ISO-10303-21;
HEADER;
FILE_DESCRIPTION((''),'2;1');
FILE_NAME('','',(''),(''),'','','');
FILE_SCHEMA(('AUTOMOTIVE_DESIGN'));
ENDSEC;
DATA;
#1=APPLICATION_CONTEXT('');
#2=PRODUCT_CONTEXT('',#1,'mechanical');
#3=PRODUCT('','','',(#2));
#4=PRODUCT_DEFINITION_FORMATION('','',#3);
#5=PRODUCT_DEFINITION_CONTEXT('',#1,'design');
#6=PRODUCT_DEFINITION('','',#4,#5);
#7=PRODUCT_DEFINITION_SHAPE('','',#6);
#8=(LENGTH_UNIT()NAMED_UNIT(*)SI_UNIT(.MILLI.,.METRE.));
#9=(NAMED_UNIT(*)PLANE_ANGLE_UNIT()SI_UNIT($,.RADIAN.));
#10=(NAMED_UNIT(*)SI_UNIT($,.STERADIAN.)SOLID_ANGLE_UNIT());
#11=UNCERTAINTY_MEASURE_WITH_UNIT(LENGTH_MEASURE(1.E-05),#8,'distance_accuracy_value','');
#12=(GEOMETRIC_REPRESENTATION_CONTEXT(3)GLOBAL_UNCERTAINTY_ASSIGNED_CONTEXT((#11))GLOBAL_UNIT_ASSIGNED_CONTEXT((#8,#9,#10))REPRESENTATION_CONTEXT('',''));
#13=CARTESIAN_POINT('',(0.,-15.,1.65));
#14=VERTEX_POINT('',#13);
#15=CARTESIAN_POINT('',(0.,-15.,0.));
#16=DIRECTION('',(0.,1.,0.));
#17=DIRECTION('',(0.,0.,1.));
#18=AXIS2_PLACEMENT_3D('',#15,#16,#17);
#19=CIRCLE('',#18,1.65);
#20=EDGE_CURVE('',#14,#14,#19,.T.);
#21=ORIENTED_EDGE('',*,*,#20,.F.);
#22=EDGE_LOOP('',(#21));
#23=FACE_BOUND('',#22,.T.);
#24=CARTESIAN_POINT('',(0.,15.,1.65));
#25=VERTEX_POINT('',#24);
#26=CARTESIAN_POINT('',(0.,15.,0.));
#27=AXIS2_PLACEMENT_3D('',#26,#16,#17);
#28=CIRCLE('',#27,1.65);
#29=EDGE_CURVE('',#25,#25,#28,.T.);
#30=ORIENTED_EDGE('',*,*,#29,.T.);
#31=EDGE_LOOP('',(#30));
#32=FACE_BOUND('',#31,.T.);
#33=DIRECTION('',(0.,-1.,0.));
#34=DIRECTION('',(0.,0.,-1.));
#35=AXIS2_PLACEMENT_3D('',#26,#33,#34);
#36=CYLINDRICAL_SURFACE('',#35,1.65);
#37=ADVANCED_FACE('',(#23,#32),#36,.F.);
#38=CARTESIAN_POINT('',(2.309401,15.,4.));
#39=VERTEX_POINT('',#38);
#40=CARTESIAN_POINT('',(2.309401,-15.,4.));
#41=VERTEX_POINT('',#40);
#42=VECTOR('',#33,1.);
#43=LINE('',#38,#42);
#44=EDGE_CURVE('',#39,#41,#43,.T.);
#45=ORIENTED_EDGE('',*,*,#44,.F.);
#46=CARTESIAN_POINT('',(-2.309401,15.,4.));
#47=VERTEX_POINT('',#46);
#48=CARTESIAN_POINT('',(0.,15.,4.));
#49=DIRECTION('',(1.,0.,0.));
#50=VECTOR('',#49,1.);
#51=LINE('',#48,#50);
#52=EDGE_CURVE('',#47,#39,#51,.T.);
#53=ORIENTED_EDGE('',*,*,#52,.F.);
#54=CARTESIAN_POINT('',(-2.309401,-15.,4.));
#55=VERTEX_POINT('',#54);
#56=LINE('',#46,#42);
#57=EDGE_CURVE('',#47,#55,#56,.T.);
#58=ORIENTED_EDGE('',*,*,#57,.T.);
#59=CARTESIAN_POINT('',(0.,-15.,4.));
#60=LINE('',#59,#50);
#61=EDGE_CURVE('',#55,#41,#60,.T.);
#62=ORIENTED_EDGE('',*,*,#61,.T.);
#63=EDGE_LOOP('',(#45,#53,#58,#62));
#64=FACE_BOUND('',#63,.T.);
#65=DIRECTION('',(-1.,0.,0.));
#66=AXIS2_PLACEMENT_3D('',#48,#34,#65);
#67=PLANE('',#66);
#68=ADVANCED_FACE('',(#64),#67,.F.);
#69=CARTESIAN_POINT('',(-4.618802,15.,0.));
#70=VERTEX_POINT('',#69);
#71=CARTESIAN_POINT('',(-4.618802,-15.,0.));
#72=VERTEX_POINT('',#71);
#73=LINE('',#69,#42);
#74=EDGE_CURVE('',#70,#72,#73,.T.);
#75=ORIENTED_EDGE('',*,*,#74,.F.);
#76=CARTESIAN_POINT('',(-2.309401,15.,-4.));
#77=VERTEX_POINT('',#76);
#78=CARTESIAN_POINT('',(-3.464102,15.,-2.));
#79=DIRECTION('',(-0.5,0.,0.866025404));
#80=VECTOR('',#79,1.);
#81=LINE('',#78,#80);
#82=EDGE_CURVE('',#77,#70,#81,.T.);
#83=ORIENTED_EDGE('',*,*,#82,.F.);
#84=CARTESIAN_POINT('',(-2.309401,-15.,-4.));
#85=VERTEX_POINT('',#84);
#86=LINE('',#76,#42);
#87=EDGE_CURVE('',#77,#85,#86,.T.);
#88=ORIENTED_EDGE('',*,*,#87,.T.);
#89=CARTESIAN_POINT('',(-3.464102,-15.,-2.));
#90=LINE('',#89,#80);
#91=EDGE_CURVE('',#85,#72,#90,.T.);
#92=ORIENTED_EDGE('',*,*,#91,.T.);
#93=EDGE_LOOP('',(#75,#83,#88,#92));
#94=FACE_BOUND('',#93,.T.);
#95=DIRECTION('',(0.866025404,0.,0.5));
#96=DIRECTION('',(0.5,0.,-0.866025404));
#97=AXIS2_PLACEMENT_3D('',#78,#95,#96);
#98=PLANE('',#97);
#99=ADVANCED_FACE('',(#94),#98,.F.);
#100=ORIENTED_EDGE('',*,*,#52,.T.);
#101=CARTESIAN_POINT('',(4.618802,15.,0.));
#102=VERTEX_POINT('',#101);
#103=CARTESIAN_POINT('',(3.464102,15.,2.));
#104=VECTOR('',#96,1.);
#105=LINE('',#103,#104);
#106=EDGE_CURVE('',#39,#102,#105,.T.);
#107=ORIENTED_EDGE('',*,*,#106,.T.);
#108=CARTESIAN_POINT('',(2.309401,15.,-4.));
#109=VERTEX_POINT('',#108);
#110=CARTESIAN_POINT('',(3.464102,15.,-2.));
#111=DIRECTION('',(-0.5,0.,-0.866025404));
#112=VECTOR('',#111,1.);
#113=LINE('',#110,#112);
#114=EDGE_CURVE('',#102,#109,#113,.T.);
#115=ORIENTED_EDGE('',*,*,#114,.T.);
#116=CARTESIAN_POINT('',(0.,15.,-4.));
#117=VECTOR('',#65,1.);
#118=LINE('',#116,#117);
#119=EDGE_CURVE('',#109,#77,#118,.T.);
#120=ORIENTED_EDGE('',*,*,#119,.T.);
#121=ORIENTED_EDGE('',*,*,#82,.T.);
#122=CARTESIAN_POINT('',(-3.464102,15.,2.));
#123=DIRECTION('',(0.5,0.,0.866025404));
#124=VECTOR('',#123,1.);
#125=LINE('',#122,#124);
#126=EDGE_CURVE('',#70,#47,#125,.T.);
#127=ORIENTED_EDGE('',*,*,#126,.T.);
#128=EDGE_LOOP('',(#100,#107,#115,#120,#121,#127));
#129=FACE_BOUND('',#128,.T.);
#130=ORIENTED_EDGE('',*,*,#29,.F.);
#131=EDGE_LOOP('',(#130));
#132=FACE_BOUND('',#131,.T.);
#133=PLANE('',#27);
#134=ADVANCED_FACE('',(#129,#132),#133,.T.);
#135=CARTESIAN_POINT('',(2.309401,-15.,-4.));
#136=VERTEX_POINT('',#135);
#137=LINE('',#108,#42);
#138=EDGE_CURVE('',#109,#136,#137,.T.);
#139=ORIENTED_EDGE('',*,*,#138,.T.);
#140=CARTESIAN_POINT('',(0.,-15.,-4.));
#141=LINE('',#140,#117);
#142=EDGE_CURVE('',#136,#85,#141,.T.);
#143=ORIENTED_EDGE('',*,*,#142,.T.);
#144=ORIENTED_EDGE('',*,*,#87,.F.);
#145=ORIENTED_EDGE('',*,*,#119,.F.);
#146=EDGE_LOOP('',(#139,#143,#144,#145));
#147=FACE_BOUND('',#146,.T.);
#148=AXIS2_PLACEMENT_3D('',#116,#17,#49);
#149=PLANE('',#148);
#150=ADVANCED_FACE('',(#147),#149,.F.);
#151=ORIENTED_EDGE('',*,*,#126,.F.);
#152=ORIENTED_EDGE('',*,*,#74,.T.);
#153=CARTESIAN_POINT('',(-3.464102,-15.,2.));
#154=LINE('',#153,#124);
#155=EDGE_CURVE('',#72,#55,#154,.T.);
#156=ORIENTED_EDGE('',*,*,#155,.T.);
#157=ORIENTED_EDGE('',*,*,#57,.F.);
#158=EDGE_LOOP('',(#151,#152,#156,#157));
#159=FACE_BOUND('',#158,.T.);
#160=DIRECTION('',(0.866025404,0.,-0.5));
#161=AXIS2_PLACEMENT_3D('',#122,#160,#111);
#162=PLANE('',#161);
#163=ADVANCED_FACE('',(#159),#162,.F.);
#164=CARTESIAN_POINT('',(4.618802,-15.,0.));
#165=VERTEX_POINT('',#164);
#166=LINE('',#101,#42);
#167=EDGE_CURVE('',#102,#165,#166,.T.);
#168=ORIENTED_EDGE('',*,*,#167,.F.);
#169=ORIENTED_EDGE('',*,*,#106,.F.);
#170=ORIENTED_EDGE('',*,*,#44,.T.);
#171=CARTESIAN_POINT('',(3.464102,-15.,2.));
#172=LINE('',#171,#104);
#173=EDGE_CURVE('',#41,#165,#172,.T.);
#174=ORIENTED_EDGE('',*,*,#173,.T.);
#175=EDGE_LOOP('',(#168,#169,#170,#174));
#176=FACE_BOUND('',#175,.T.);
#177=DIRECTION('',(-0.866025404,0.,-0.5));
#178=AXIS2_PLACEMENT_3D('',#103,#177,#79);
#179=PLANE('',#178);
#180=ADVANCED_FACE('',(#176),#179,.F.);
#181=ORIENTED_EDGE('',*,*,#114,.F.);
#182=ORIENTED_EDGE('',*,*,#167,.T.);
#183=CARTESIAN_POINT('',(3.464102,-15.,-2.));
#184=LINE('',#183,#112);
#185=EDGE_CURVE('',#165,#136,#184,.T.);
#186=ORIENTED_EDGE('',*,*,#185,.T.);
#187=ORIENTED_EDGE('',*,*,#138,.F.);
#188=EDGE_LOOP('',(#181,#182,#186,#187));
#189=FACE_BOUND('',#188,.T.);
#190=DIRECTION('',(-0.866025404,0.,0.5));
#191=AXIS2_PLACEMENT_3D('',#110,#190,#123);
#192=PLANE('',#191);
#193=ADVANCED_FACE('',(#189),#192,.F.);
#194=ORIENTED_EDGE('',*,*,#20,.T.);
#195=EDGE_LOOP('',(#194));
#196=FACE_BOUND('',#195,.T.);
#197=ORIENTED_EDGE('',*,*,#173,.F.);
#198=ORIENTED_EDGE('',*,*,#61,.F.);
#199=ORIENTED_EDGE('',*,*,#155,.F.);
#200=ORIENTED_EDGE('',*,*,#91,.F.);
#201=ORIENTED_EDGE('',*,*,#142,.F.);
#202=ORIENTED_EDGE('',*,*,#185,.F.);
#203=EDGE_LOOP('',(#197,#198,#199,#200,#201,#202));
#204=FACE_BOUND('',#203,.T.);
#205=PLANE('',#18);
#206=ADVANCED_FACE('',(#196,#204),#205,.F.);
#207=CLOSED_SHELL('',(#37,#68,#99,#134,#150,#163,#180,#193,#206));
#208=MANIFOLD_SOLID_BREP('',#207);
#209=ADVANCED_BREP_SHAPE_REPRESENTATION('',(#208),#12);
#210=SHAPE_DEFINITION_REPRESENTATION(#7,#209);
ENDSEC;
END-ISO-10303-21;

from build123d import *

# Parameters (mm, degrees)
CROQUIS1_R              = 1.65
SALIENTE_EXTRUIR1_DEPTH = 15


with BuildPart() as part:
    # Croquis1 → Saliente-Extruir1 (new, symmetric)
    with BuildSketch(Plane(origin=(0, 0, 0), x_dir=(1, 0, 0), z_dir=(0, 1, 0))):
        Polygon((-2.309401077, -4), (2.309401077, -4), (4.618802154, 0), (2.309401077, 4), (-2.309401077, 4), (-4.618802154, 0), align=None)
        with Locations(Location((0, 0, 0), (0, 0, 270))):
            Circle(CROQUIS1_R, mode=Mode.SUBTRACT)
    extrude(amount=SALIENTE_EXTRUIR1_DEPTH, both=True)


solid = part.part
